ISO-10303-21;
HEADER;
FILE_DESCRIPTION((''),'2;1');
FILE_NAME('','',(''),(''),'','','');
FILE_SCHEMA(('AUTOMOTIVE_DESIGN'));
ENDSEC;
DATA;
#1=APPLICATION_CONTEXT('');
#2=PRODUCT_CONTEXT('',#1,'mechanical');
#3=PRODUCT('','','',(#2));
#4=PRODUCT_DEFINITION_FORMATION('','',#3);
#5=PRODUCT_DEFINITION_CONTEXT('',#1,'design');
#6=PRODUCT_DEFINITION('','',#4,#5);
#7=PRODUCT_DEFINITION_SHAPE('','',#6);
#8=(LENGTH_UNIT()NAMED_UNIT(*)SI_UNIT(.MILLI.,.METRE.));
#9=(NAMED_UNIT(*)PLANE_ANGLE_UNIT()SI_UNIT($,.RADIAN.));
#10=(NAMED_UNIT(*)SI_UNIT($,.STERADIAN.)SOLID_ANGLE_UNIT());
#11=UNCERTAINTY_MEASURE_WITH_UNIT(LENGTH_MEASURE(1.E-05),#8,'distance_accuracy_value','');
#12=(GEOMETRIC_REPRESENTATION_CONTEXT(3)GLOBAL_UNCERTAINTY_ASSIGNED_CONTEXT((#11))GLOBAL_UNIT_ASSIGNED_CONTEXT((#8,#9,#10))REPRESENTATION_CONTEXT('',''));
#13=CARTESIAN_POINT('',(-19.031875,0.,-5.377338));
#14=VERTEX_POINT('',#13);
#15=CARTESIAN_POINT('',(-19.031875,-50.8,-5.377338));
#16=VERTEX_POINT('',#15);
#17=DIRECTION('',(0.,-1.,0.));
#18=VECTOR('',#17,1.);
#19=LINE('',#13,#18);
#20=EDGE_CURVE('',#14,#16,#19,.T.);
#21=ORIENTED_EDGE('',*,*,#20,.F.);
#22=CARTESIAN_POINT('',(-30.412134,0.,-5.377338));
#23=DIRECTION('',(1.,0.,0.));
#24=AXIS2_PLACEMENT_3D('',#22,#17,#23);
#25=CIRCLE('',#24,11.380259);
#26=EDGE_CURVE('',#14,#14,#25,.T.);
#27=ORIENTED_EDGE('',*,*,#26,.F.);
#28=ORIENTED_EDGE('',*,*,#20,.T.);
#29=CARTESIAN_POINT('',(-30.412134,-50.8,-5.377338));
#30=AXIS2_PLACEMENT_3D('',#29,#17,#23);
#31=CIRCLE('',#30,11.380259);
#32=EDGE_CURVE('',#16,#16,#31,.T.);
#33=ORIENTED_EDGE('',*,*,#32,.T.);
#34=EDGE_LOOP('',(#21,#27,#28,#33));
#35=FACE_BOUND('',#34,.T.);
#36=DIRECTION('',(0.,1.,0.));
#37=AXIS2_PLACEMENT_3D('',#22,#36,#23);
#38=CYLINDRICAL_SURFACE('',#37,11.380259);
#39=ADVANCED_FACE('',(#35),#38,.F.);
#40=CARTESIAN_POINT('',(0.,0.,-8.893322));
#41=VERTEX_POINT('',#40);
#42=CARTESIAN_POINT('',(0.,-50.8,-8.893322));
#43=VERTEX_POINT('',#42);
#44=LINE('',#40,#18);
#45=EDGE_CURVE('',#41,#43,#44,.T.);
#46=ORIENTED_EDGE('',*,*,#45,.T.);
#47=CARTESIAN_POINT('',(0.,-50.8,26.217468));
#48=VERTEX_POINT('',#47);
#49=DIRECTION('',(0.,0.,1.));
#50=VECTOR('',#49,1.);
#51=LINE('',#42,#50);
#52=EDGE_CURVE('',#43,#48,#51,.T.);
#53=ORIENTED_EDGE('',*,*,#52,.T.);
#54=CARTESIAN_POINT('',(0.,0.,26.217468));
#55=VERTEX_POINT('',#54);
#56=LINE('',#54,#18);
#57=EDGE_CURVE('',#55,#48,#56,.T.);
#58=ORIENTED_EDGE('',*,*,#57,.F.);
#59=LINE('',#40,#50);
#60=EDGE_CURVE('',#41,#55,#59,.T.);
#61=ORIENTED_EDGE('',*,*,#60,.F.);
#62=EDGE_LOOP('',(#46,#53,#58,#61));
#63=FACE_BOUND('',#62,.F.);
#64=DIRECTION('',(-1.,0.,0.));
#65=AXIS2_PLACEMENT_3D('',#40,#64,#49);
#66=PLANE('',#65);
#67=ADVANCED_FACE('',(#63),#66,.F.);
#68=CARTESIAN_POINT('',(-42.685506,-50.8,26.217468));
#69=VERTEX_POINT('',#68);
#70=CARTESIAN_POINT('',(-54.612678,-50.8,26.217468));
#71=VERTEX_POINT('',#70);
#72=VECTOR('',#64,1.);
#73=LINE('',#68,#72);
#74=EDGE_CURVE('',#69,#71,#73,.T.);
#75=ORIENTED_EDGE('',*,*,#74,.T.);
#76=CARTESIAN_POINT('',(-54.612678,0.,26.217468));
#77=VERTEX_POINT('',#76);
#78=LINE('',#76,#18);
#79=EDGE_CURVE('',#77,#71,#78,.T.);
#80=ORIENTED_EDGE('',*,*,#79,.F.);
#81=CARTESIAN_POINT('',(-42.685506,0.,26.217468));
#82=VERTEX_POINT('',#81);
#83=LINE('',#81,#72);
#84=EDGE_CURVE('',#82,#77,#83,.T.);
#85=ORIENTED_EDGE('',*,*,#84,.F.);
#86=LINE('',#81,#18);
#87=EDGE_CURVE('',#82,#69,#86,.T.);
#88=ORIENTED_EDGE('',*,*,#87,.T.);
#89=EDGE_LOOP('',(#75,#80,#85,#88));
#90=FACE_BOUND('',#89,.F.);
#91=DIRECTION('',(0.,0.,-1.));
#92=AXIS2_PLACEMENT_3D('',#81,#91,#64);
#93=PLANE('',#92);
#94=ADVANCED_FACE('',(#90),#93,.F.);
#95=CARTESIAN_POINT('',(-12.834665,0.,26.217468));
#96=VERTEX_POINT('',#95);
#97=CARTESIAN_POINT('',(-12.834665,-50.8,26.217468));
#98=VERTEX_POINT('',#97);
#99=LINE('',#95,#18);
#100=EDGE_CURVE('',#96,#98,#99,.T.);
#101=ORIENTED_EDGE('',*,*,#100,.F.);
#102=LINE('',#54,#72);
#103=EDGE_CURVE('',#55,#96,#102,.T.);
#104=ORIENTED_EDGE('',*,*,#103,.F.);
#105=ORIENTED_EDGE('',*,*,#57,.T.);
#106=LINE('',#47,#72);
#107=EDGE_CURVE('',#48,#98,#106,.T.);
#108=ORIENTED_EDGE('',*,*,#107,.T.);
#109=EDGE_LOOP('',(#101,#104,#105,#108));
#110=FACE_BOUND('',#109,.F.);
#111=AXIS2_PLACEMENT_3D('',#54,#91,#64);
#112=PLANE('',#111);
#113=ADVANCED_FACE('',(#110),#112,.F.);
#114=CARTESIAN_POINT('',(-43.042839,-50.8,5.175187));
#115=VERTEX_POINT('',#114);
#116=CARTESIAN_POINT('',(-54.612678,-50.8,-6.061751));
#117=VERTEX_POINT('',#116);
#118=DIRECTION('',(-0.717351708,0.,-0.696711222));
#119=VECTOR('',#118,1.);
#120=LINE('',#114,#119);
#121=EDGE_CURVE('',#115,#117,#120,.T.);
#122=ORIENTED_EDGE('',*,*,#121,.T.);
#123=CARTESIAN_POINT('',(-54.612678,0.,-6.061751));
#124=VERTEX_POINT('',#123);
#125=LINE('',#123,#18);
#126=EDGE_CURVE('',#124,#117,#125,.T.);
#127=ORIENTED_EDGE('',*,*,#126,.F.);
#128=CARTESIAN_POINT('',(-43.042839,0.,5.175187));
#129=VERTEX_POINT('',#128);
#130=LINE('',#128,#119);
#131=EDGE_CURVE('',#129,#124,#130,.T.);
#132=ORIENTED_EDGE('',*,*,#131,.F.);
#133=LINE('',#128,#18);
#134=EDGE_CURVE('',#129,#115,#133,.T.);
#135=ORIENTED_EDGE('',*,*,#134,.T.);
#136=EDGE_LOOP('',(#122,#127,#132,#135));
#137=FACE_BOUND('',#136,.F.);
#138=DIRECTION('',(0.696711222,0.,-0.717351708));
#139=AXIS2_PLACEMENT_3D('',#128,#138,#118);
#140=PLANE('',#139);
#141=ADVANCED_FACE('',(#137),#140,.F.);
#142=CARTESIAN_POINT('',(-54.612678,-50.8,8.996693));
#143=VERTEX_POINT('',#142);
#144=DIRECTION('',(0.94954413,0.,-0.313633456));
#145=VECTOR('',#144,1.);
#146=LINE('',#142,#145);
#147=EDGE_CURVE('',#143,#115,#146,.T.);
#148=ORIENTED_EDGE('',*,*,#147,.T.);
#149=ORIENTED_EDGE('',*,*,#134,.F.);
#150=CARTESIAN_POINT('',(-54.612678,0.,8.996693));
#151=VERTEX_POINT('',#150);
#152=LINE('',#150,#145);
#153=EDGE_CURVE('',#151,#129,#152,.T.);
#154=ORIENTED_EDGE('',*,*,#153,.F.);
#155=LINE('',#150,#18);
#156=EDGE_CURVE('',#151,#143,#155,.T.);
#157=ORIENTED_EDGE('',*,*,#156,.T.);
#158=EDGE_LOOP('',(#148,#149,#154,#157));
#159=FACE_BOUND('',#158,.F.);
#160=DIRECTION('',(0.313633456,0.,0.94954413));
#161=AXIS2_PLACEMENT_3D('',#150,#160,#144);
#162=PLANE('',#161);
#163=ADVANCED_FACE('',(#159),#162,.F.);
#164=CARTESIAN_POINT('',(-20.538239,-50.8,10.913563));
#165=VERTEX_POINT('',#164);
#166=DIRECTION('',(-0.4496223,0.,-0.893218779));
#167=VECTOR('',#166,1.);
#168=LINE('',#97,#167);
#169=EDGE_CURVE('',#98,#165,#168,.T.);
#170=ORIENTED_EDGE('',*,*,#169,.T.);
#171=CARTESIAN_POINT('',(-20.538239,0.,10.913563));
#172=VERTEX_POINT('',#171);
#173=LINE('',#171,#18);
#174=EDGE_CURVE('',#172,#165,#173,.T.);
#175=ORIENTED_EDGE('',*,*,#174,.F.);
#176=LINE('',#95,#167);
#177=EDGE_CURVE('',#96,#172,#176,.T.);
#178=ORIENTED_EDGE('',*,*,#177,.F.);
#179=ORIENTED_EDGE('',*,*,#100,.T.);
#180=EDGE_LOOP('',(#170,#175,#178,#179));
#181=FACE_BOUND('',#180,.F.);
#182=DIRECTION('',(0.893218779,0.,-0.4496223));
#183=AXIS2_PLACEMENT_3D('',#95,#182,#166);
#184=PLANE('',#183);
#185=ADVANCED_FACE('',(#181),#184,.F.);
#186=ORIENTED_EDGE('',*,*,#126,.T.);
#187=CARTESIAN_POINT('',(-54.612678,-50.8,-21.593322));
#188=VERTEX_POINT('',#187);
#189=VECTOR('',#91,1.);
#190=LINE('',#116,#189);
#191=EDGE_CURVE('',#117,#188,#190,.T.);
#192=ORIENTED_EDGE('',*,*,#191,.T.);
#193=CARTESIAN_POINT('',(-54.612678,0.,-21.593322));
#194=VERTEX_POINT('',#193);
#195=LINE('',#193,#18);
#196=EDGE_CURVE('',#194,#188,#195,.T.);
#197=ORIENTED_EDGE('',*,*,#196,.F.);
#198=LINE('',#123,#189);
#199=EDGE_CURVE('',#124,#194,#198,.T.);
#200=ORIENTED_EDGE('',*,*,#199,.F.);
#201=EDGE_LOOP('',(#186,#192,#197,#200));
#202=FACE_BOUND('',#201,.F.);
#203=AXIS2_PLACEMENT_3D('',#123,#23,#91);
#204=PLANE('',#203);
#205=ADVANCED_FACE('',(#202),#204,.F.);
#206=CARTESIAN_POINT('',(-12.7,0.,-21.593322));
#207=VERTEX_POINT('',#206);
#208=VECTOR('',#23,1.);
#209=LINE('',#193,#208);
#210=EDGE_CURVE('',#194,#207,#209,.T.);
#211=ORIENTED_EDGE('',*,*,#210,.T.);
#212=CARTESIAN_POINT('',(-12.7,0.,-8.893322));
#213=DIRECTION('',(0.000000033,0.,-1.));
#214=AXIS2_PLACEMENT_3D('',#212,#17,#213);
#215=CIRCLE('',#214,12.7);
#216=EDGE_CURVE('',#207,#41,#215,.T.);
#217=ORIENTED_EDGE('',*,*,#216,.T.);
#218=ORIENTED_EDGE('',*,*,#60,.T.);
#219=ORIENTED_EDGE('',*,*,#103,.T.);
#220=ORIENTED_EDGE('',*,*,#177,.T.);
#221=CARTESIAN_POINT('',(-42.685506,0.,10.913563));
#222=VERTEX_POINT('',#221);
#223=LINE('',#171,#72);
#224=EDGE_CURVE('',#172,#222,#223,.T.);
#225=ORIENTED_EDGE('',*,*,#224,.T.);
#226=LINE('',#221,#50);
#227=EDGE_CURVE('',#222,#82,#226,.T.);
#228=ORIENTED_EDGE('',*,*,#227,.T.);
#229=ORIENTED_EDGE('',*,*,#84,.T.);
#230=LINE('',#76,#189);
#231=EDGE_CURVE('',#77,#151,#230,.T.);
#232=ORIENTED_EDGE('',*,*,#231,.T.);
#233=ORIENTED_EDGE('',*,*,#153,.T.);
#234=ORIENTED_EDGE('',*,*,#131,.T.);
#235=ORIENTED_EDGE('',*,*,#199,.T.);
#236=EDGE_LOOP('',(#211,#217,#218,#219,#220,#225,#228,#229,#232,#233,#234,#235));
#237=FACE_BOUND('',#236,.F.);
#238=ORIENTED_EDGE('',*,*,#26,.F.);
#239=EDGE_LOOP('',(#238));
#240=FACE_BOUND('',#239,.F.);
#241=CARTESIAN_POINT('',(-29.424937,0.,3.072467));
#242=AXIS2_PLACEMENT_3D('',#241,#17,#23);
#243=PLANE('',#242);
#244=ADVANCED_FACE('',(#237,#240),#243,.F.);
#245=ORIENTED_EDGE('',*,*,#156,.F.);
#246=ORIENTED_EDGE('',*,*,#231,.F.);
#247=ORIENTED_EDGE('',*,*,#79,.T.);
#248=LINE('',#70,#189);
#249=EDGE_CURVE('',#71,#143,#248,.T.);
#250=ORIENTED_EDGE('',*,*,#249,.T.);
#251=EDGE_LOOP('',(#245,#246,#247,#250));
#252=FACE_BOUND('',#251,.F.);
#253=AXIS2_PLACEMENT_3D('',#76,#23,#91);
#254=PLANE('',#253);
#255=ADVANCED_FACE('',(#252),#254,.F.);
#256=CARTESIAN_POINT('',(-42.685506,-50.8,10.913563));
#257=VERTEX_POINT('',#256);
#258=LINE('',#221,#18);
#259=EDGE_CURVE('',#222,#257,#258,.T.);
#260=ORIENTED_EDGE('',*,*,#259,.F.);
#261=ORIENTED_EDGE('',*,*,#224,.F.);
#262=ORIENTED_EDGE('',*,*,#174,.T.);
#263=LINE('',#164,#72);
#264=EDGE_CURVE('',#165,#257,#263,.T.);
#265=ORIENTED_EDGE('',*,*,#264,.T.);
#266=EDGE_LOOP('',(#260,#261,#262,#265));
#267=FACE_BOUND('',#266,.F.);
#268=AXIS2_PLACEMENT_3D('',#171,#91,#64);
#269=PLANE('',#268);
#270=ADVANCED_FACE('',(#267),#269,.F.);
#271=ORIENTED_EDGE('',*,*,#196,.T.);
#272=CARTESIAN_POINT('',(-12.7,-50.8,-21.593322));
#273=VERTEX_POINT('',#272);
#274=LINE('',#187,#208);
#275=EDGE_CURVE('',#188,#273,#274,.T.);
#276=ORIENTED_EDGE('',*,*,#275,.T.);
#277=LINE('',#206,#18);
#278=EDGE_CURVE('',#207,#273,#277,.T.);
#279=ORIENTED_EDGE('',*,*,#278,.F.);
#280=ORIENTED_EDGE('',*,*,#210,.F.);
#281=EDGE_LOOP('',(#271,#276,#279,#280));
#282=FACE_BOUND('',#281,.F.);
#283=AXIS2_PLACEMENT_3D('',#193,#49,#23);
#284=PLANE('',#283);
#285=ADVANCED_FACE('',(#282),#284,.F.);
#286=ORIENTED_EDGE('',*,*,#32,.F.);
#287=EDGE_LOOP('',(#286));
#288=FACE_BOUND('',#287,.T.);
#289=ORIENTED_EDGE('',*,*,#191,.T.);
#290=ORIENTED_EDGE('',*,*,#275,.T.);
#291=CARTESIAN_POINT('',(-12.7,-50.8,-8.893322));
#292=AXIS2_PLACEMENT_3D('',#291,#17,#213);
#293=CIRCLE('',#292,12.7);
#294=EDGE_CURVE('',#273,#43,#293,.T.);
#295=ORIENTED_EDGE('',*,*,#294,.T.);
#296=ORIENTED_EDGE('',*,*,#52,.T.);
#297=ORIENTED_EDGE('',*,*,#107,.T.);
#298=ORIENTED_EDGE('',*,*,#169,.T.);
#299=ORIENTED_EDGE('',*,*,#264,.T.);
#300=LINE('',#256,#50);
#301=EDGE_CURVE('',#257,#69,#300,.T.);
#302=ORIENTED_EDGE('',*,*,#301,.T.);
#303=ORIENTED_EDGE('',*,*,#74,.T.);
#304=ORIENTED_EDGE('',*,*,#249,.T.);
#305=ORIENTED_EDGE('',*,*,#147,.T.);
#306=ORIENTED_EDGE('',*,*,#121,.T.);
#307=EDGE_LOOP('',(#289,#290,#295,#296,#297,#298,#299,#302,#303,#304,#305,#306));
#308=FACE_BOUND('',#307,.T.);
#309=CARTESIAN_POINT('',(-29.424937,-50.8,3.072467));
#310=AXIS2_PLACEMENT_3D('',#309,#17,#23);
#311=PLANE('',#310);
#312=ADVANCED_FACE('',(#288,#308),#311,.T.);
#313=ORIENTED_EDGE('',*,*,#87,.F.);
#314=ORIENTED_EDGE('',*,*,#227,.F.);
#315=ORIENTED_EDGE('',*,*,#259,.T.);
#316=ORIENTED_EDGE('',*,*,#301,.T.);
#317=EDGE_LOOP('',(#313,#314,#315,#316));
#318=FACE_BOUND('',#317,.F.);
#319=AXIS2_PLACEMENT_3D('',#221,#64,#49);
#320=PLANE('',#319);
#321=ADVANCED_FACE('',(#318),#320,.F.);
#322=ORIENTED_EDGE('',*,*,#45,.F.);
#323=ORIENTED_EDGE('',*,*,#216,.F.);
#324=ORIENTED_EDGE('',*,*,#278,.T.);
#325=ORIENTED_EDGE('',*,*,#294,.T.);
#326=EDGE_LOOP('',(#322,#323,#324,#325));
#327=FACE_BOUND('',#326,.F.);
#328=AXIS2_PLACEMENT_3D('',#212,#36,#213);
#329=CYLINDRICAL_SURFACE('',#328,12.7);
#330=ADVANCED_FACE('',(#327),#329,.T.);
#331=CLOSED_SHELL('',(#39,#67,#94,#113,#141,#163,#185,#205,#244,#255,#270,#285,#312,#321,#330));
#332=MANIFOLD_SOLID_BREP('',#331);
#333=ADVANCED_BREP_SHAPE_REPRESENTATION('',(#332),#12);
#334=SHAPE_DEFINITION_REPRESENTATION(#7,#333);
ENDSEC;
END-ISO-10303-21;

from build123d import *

# Parameters (mm, degrees)
F0_R     = 11.380259
F1_DEPTH = 50.8


with BuildPart() as f1:
    # F0 (on Front) → F1 (new body)
    with BuildSketch(Plane.XZ):
        with BuildLine():
            Line((-42.685506, 26.217468), (-54.612678, 26.217468))
            Line((-54.612678, 26.217468), (-54.612678, 8.996693))
            Line((-54.612678, 8.996693), (-43.042839, 5.175187))
            Line((-43.042839, 5.175187), (-54.612678, -6.061751))
            Line((-54.612678, -6.061751), (-54.612678, -21.593322))
            Line((-54.612678, -21.593322), (-12.7, -21.593322))
            ThreePointArc((-12.7, -21.593322), (-3.719744, -17.873578), (0, -8.893322))
            Line((0, -8.893322), (0, 26.217468))
            Line((0, 26.217468), (-12.834665, 26.217468))
            Line((-12.834665, 26.217468), (-20.538239, 10.913563))
            Line((-20.538239, 10.913563), (-42.685506, 10.913563))
            Line((-42.685506, 10.913563), (-42.685506, 26.217468))
        make_face()
        with Locations((-30.412134, -5.377338)):
            Circle(F0_R, mode=Mode.SUBTRACT)
    extrude(amount=F1_DEPTH)


solid = f1.part
